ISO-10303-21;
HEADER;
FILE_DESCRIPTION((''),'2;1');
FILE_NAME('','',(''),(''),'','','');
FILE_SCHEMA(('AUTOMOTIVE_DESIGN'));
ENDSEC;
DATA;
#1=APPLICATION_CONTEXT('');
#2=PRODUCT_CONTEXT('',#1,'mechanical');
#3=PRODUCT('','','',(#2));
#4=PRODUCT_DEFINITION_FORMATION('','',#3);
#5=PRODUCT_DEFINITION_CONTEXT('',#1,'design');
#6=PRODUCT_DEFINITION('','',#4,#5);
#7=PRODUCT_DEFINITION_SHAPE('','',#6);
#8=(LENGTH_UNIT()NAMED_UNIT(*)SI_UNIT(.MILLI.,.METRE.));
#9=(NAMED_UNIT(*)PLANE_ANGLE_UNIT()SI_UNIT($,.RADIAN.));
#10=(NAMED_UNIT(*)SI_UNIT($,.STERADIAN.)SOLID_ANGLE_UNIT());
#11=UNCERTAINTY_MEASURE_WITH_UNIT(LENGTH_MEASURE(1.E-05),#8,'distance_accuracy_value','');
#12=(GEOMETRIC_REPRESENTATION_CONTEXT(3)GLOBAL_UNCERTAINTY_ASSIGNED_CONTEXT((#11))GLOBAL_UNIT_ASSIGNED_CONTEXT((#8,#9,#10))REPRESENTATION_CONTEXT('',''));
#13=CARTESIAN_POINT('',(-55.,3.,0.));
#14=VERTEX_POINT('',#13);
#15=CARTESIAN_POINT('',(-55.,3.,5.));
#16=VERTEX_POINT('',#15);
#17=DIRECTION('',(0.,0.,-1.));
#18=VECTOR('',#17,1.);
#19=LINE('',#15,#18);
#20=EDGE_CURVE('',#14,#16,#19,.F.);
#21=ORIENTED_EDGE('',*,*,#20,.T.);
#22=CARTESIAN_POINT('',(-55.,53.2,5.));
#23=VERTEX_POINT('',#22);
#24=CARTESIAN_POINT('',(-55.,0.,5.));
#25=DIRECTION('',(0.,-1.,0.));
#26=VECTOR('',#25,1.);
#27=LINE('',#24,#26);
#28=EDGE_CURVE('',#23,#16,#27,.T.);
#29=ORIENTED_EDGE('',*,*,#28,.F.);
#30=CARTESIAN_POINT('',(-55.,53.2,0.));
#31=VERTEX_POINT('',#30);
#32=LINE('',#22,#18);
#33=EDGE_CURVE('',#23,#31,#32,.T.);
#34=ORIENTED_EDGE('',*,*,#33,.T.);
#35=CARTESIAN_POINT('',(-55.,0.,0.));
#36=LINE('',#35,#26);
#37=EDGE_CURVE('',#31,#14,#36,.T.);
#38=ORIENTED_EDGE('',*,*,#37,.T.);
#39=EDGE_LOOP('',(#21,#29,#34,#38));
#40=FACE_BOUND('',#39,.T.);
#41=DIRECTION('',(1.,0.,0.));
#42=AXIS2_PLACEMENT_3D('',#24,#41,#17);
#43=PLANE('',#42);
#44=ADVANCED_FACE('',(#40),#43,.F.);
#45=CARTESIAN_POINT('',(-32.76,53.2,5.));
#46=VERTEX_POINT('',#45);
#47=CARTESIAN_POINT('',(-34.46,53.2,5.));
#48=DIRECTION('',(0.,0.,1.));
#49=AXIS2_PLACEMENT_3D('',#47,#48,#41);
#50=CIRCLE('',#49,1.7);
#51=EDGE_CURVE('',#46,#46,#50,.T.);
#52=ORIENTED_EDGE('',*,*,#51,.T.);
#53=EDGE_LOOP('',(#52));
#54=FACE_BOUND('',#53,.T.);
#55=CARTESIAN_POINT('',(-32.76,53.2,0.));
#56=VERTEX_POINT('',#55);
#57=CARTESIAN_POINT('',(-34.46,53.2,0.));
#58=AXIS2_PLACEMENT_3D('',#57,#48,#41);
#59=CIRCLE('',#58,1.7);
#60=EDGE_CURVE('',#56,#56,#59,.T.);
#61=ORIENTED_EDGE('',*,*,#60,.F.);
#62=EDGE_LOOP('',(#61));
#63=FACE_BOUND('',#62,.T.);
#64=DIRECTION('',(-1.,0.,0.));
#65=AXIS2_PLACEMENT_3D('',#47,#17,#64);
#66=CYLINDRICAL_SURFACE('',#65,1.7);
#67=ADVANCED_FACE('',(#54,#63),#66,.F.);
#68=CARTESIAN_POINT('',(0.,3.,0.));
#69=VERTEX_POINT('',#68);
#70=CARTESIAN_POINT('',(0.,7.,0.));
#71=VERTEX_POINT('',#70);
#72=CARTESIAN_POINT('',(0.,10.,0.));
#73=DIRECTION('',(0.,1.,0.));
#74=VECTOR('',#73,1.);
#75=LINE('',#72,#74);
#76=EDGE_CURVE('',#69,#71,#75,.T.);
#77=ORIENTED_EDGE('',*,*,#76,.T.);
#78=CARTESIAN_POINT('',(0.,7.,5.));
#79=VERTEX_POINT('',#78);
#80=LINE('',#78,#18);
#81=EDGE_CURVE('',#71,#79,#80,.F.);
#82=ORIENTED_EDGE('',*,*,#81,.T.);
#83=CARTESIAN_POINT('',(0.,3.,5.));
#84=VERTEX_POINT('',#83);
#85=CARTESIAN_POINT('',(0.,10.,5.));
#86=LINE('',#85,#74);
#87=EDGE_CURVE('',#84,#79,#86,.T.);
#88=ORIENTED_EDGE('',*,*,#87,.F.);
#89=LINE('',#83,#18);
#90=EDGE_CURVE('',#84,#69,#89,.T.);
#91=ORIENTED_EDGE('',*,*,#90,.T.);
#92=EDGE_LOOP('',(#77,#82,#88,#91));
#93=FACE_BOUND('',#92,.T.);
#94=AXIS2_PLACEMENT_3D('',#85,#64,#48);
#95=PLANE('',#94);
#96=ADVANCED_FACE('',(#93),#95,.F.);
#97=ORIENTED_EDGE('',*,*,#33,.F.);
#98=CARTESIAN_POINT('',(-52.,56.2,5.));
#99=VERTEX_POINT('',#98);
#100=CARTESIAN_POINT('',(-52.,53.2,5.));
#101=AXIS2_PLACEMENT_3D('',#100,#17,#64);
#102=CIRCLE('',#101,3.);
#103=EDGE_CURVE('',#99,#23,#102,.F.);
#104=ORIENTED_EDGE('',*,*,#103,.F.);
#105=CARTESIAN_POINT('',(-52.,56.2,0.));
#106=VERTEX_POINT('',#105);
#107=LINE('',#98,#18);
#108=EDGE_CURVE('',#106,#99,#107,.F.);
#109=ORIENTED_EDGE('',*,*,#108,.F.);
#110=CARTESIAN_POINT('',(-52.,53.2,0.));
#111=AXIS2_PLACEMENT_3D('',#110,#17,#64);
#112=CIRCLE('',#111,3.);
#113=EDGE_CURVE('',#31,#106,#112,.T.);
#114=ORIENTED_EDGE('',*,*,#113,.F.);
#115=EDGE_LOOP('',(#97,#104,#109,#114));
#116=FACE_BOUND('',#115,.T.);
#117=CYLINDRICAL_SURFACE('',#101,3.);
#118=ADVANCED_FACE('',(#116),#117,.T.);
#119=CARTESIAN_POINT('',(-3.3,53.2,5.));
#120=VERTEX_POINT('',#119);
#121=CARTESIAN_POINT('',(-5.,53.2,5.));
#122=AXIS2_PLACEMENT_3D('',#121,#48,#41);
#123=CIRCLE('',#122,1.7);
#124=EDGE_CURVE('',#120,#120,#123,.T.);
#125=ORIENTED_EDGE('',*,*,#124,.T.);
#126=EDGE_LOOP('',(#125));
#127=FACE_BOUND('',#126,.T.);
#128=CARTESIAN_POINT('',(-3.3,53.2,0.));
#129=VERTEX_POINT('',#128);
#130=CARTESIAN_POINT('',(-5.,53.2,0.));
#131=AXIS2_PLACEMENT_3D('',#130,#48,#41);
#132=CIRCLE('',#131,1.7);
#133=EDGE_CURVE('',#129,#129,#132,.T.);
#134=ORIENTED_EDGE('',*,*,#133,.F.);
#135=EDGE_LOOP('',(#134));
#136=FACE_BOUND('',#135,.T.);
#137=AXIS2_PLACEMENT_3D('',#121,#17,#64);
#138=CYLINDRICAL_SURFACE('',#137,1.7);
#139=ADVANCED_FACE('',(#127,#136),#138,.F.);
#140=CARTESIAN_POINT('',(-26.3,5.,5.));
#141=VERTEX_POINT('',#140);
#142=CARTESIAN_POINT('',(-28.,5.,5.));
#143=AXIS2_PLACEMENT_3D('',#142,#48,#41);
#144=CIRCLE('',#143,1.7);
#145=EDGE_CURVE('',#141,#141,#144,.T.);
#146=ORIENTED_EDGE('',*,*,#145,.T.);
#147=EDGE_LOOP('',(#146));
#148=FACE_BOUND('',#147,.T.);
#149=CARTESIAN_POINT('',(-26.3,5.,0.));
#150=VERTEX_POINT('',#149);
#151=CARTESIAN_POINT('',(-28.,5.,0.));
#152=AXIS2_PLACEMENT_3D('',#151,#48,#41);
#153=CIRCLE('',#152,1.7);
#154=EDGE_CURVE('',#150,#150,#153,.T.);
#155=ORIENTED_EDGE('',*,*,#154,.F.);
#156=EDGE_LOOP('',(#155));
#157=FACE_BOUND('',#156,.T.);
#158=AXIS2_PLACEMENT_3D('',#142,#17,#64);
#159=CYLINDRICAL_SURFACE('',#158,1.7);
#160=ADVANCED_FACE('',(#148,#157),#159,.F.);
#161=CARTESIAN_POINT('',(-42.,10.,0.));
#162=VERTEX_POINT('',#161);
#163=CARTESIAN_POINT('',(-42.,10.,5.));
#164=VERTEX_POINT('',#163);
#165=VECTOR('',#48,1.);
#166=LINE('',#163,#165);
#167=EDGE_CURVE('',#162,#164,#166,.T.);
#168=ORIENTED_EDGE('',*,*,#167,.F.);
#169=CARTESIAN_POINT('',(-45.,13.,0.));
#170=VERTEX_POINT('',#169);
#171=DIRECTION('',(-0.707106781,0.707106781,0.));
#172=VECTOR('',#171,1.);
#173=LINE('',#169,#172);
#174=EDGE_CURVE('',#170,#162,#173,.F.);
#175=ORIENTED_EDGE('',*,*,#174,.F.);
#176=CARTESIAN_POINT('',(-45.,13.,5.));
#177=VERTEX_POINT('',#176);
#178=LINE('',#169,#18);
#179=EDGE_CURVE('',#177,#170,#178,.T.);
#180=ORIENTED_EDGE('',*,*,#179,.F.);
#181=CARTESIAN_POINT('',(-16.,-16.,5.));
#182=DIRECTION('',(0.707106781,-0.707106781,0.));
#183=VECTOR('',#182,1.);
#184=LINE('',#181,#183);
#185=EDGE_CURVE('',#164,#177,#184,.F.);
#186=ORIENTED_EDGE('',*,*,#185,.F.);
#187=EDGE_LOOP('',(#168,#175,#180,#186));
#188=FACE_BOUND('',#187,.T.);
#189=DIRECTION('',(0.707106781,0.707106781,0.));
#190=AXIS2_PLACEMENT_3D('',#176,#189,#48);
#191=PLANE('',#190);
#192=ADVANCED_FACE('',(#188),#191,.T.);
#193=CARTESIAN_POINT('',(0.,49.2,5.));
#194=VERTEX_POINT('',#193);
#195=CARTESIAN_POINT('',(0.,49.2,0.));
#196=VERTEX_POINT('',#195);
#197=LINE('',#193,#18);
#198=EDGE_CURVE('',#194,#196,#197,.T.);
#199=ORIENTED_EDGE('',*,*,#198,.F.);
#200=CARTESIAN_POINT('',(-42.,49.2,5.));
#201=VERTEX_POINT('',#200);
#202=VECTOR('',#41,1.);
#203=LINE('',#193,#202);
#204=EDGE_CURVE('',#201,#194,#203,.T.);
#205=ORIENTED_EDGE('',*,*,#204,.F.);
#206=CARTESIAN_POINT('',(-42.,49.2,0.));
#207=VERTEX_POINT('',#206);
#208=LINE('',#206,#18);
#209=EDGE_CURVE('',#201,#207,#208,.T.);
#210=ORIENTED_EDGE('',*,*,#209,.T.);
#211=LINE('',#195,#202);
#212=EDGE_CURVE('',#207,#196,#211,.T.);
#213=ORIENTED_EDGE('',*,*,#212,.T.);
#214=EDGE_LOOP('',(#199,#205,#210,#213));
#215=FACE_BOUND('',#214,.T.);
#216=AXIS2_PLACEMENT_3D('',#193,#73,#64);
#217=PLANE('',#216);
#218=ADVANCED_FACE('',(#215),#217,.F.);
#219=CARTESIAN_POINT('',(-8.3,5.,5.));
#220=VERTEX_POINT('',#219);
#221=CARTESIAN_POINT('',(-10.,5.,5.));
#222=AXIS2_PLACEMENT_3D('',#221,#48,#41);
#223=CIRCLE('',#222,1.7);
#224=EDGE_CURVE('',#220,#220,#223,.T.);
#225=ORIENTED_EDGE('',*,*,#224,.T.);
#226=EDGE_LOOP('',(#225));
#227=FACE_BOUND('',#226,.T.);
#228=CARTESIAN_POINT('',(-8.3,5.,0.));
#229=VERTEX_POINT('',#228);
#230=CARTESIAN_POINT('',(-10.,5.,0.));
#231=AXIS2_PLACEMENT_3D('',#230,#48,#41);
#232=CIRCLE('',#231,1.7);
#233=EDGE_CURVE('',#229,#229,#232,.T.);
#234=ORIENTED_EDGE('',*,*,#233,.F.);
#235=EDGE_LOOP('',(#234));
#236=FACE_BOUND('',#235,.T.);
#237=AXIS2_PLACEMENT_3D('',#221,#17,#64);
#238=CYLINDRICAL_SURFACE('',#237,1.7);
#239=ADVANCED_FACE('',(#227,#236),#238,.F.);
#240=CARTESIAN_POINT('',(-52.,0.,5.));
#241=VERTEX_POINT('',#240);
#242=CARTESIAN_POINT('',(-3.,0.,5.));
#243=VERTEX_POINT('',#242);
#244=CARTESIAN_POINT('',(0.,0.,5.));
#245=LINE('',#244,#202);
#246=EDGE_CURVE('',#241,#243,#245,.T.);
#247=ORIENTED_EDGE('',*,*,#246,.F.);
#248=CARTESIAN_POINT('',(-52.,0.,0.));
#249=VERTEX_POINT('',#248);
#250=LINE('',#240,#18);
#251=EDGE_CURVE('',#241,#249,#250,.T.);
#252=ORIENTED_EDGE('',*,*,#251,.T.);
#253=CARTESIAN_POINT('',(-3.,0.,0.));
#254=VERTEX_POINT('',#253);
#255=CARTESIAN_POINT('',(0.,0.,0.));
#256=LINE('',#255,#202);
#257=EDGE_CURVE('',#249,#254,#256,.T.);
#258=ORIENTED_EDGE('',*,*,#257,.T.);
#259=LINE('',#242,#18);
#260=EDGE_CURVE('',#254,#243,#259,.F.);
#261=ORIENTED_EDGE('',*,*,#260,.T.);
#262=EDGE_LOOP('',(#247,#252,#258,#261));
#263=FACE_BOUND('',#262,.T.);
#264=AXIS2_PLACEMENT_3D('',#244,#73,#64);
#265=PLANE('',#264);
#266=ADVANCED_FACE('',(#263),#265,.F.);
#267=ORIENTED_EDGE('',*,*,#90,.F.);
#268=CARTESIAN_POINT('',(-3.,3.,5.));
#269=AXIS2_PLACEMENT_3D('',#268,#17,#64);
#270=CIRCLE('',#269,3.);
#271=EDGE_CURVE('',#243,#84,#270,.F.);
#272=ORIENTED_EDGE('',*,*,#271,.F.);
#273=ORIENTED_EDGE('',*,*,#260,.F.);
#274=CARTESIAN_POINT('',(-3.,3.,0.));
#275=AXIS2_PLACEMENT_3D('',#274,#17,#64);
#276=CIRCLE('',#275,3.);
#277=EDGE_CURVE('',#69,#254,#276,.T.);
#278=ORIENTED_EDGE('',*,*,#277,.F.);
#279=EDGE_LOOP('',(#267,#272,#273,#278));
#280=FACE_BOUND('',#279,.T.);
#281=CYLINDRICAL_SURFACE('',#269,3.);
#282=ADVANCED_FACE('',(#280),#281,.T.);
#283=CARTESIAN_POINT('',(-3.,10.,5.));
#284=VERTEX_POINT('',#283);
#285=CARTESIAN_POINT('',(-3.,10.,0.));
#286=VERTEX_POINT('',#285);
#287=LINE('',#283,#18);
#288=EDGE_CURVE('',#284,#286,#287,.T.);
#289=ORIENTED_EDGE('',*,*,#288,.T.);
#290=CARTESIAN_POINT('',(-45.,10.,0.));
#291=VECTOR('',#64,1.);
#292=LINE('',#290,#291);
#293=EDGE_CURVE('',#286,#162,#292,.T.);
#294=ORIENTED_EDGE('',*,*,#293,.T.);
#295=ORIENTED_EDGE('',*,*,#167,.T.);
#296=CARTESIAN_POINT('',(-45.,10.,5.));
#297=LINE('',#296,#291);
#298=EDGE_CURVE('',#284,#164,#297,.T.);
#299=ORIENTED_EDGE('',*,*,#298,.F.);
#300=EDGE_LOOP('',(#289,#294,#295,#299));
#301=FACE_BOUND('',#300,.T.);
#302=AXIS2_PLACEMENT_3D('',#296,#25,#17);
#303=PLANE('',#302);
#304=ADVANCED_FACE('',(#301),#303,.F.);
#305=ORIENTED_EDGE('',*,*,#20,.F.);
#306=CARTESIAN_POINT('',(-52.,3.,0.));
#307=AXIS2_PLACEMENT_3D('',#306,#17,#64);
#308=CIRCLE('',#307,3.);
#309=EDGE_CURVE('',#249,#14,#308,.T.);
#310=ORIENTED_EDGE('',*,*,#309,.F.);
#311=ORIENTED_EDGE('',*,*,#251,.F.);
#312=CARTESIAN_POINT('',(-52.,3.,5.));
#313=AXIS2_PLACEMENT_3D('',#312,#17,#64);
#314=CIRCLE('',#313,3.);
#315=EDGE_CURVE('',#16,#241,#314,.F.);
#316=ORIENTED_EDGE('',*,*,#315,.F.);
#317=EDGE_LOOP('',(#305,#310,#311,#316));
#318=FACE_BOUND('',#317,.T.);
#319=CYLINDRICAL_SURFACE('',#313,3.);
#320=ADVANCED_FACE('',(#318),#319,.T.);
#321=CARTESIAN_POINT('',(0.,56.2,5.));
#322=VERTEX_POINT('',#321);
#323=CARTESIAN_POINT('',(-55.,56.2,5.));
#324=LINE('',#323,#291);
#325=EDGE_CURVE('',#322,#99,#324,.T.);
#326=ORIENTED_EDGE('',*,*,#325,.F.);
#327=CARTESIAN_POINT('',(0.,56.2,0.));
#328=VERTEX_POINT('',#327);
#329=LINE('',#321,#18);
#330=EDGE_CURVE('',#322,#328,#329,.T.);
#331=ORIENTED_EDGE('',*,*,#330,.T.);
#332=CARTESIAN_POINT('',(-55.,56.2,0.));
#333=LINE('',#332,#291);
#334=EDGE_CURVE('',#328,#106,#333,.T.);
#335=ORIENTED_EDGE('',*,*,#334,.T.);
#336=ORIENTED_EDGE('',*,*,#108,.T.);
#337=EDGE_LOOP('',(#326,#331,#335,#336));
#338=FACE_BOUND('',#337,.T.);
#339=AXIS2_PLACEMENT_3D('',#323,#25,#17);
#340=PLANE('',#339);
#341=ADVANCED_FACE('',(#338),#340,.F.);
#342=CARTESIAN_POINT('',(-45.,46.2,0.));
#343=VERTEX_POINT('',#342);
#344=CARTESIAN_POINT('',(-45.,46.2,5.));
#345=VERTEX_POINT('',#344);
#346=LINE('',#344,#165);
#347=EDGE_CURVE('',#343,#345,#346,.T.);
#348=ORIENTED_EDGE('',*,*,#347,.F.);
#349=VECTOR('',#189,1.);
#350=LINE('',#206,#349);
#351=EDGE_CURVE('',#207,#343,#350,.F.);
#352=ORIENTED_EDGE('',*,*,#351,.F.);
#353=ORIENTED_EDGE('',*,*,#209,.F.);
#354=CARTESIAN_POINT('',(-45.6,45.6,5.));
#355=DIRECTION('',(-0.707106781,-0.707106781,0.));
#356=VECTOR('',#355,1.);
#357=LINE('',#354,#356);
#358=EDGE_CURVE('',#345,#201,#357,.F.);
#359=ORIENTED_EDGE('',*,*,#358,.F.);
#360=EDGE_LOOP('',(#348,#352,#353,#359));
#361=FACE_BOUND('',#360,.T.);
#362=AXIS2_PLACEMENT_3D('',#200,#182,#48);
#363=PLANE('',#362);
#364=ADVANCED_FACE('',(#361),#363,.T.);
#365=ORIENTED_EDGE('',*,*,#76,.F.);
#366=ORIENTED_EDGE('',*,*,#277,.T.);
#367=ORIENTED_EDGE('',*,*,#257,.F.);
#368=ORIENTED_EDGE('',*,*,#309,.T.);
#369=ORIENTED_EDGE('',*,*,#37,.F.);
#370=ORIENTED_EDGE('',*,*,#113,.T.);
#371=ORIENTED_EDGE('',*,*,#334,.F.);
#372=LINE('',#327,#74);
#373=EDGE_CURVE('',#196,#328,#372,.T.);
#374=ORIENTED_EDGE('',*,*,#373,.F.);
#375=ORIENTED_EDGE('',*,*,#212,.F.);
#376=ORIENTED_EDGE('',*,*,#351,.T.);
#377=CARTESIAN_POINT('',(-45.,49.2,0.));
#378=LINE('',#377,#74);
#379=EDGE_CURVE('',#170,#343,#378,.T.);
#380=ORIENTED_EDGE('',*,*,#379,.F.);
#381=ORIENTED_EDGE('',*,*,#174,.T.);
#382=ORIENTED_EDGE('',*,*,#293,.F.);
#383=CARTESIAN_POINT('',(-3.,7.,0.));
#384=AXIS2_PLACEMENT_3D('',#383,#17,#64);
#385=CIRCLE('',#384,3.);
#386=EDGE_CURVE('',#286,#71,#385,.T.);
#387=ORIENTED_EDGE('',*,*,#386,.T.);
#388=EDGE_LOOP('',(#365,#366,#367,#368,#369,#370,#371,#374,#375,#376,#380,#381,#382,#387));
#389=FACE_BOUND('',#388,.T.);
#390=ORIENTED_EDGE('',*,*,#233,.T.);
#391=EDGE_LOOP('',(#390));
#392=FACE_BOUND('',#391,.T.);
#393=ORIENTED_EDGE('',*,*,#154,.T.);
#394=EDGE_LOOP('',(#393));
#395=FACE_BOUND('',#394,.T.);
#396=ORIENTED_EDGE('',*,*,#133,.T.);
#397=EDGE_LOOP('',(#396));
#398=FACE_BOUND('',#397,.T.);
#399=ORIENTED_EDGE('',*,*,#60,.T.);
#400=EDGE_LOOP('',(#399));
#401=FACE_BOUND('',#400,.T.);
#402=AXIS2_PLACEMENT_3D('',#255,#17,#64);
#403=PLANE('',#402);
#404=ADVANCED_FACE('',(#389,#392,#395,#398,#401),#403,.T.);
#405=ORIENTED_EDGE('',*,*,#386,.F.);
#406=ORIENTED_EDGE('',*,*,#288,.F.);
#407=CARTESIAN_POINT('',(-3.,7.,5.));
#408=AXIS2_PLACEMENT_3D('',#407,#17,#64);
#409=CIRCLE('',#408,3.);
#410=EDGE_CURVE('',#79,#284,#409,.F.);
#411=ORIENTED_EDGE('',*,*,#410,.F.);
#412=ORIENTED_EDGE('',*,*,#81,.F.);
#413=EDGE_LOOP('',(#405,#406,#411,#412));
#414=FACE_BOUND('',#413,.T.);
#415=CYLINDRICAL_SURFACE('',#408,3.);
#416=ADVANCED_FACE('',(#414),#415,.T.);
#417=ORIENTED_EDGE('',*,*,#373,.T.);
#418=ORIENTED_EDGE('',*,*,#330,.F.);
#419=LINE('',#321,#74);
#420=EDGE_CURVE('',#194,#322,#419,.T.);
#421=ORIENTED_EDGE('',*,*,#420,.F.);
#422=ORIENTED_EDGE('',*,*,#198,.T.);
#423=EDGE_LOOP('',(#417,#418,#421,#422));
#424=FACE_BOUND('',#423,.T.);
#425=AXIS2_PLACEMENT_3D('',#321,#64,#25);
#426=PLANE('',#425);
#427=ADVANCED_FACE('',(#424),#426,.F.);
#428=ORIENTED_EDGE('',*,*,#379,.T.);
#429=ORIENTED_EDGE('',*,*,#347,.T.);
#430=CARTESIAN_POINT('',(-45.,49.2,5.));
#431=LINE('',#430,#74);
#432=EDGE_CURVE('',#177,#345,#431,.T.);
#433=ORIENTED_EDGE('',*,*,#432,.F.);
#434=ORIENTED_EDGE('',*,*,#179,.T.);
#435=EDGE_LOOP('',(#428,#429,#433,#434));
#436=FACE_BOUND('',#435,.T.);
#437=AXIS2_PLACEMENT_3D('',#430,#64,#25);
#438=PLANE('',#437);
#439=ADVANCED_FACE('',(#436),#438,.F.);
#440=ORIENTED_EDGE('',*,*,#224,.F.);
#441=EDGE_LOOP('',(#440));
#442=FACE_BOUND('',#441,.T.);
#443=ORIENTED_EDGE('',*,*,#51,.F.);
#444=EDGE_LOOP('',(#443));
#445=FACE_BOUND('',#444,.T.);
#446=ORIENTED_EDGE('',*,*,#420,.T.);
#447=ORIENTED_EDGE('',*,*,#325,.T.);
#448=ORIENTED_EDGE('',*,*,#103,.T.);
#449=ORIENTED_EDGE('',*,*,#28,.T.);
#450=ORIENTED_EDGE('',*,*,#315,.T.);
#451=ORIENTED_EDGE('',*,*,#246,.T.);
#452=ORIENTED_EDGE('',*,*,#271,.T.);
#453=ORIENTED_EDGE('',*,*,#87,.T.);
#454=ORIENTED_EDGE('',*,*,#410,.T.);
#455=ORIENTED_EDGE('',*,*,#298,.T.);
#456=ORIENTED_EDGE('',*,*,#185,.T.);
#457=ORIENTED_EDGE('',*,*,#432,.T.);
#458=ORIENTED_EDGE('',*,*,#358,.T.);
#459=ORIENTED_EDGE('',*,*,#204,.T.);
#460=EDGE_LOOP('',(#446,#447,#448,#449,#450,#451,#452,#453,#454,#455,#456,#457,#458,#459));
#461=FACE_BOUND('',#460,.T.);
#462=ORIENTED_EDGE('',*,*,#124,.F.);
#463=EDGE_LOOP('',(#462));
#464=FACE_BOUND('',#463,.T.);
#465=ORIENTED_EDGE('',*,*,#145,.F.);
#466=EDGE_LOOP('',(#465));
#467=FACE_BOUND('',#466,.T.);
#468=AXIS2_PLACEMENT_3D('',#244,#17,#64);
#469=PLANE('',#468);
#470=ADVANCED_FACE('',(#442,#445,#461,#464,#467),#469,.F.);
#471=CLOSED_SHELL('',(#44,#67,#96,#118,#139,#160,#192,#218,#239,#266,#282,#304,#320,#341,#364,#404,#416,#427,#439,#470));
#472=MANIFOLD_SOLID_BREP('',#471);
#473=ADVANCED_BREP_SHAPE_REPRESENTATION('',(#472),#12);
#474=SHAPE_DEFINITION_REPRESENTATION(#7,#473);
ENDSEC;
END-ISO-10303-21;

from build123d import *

# Parameters (mm, degrees)
SKETCH_1_R      = 1.7
EXTRUDE_1_DEPTH = 5
FILLET_1_R      = 3
CHAMFER_1_SIZE  = 3


with BuildPart() as part:
    # 草图1 → 凸台-拉伸1 (new body)
    with BuildSketch(Plane.XY):
        Polygon((0, 0), (-55, 0), (-55, 56.2), (0, 56.2), (0, 49.2), (-45, 49.2), (-45, 10), (0, 10), align=None)
        with Locations((-10, 5)):
            Circle(SKETCH_1_R, mode=Mode.SUBTRACT)
        with Locations((-28, 5)):
            Circle(SKETCH_1_R, mode=Mode.SUBTRACT)
        with Locations((-5, 53.2)):
            Circle(SKETCH_1_R, mode=Mode.SUBTRACT)
        with Locations((-34.46, 53.2)):
            Circle(SKETCH_1_R, mode=Mode.SUBTRACT)
    extrude(amount=EXTRUDE_1_DEPTH)

    # 圆角1
    fillet_1_edges = [part.edges().sort_by_distance(p)[0] for p in [
        (0, 0, 2.5),
        (-55, 0, 2.5),
        (-55, 56.2, 2.5),
        (0, 10, 2.5),
    ]]
    fillet(fillet_1_edges, radius=FILLET_1_R)

    # 倒角1
    chamfer_1_edges = [part.edges().sort_by_distance(p)[0] for p in [
        (-45, 49.2, 2.5),
        (-45, 10, 2.5),
    ]]
    chamfer(chamfer_1_edges, length=CHAMFER_1_SIZE)


solid = part.part
